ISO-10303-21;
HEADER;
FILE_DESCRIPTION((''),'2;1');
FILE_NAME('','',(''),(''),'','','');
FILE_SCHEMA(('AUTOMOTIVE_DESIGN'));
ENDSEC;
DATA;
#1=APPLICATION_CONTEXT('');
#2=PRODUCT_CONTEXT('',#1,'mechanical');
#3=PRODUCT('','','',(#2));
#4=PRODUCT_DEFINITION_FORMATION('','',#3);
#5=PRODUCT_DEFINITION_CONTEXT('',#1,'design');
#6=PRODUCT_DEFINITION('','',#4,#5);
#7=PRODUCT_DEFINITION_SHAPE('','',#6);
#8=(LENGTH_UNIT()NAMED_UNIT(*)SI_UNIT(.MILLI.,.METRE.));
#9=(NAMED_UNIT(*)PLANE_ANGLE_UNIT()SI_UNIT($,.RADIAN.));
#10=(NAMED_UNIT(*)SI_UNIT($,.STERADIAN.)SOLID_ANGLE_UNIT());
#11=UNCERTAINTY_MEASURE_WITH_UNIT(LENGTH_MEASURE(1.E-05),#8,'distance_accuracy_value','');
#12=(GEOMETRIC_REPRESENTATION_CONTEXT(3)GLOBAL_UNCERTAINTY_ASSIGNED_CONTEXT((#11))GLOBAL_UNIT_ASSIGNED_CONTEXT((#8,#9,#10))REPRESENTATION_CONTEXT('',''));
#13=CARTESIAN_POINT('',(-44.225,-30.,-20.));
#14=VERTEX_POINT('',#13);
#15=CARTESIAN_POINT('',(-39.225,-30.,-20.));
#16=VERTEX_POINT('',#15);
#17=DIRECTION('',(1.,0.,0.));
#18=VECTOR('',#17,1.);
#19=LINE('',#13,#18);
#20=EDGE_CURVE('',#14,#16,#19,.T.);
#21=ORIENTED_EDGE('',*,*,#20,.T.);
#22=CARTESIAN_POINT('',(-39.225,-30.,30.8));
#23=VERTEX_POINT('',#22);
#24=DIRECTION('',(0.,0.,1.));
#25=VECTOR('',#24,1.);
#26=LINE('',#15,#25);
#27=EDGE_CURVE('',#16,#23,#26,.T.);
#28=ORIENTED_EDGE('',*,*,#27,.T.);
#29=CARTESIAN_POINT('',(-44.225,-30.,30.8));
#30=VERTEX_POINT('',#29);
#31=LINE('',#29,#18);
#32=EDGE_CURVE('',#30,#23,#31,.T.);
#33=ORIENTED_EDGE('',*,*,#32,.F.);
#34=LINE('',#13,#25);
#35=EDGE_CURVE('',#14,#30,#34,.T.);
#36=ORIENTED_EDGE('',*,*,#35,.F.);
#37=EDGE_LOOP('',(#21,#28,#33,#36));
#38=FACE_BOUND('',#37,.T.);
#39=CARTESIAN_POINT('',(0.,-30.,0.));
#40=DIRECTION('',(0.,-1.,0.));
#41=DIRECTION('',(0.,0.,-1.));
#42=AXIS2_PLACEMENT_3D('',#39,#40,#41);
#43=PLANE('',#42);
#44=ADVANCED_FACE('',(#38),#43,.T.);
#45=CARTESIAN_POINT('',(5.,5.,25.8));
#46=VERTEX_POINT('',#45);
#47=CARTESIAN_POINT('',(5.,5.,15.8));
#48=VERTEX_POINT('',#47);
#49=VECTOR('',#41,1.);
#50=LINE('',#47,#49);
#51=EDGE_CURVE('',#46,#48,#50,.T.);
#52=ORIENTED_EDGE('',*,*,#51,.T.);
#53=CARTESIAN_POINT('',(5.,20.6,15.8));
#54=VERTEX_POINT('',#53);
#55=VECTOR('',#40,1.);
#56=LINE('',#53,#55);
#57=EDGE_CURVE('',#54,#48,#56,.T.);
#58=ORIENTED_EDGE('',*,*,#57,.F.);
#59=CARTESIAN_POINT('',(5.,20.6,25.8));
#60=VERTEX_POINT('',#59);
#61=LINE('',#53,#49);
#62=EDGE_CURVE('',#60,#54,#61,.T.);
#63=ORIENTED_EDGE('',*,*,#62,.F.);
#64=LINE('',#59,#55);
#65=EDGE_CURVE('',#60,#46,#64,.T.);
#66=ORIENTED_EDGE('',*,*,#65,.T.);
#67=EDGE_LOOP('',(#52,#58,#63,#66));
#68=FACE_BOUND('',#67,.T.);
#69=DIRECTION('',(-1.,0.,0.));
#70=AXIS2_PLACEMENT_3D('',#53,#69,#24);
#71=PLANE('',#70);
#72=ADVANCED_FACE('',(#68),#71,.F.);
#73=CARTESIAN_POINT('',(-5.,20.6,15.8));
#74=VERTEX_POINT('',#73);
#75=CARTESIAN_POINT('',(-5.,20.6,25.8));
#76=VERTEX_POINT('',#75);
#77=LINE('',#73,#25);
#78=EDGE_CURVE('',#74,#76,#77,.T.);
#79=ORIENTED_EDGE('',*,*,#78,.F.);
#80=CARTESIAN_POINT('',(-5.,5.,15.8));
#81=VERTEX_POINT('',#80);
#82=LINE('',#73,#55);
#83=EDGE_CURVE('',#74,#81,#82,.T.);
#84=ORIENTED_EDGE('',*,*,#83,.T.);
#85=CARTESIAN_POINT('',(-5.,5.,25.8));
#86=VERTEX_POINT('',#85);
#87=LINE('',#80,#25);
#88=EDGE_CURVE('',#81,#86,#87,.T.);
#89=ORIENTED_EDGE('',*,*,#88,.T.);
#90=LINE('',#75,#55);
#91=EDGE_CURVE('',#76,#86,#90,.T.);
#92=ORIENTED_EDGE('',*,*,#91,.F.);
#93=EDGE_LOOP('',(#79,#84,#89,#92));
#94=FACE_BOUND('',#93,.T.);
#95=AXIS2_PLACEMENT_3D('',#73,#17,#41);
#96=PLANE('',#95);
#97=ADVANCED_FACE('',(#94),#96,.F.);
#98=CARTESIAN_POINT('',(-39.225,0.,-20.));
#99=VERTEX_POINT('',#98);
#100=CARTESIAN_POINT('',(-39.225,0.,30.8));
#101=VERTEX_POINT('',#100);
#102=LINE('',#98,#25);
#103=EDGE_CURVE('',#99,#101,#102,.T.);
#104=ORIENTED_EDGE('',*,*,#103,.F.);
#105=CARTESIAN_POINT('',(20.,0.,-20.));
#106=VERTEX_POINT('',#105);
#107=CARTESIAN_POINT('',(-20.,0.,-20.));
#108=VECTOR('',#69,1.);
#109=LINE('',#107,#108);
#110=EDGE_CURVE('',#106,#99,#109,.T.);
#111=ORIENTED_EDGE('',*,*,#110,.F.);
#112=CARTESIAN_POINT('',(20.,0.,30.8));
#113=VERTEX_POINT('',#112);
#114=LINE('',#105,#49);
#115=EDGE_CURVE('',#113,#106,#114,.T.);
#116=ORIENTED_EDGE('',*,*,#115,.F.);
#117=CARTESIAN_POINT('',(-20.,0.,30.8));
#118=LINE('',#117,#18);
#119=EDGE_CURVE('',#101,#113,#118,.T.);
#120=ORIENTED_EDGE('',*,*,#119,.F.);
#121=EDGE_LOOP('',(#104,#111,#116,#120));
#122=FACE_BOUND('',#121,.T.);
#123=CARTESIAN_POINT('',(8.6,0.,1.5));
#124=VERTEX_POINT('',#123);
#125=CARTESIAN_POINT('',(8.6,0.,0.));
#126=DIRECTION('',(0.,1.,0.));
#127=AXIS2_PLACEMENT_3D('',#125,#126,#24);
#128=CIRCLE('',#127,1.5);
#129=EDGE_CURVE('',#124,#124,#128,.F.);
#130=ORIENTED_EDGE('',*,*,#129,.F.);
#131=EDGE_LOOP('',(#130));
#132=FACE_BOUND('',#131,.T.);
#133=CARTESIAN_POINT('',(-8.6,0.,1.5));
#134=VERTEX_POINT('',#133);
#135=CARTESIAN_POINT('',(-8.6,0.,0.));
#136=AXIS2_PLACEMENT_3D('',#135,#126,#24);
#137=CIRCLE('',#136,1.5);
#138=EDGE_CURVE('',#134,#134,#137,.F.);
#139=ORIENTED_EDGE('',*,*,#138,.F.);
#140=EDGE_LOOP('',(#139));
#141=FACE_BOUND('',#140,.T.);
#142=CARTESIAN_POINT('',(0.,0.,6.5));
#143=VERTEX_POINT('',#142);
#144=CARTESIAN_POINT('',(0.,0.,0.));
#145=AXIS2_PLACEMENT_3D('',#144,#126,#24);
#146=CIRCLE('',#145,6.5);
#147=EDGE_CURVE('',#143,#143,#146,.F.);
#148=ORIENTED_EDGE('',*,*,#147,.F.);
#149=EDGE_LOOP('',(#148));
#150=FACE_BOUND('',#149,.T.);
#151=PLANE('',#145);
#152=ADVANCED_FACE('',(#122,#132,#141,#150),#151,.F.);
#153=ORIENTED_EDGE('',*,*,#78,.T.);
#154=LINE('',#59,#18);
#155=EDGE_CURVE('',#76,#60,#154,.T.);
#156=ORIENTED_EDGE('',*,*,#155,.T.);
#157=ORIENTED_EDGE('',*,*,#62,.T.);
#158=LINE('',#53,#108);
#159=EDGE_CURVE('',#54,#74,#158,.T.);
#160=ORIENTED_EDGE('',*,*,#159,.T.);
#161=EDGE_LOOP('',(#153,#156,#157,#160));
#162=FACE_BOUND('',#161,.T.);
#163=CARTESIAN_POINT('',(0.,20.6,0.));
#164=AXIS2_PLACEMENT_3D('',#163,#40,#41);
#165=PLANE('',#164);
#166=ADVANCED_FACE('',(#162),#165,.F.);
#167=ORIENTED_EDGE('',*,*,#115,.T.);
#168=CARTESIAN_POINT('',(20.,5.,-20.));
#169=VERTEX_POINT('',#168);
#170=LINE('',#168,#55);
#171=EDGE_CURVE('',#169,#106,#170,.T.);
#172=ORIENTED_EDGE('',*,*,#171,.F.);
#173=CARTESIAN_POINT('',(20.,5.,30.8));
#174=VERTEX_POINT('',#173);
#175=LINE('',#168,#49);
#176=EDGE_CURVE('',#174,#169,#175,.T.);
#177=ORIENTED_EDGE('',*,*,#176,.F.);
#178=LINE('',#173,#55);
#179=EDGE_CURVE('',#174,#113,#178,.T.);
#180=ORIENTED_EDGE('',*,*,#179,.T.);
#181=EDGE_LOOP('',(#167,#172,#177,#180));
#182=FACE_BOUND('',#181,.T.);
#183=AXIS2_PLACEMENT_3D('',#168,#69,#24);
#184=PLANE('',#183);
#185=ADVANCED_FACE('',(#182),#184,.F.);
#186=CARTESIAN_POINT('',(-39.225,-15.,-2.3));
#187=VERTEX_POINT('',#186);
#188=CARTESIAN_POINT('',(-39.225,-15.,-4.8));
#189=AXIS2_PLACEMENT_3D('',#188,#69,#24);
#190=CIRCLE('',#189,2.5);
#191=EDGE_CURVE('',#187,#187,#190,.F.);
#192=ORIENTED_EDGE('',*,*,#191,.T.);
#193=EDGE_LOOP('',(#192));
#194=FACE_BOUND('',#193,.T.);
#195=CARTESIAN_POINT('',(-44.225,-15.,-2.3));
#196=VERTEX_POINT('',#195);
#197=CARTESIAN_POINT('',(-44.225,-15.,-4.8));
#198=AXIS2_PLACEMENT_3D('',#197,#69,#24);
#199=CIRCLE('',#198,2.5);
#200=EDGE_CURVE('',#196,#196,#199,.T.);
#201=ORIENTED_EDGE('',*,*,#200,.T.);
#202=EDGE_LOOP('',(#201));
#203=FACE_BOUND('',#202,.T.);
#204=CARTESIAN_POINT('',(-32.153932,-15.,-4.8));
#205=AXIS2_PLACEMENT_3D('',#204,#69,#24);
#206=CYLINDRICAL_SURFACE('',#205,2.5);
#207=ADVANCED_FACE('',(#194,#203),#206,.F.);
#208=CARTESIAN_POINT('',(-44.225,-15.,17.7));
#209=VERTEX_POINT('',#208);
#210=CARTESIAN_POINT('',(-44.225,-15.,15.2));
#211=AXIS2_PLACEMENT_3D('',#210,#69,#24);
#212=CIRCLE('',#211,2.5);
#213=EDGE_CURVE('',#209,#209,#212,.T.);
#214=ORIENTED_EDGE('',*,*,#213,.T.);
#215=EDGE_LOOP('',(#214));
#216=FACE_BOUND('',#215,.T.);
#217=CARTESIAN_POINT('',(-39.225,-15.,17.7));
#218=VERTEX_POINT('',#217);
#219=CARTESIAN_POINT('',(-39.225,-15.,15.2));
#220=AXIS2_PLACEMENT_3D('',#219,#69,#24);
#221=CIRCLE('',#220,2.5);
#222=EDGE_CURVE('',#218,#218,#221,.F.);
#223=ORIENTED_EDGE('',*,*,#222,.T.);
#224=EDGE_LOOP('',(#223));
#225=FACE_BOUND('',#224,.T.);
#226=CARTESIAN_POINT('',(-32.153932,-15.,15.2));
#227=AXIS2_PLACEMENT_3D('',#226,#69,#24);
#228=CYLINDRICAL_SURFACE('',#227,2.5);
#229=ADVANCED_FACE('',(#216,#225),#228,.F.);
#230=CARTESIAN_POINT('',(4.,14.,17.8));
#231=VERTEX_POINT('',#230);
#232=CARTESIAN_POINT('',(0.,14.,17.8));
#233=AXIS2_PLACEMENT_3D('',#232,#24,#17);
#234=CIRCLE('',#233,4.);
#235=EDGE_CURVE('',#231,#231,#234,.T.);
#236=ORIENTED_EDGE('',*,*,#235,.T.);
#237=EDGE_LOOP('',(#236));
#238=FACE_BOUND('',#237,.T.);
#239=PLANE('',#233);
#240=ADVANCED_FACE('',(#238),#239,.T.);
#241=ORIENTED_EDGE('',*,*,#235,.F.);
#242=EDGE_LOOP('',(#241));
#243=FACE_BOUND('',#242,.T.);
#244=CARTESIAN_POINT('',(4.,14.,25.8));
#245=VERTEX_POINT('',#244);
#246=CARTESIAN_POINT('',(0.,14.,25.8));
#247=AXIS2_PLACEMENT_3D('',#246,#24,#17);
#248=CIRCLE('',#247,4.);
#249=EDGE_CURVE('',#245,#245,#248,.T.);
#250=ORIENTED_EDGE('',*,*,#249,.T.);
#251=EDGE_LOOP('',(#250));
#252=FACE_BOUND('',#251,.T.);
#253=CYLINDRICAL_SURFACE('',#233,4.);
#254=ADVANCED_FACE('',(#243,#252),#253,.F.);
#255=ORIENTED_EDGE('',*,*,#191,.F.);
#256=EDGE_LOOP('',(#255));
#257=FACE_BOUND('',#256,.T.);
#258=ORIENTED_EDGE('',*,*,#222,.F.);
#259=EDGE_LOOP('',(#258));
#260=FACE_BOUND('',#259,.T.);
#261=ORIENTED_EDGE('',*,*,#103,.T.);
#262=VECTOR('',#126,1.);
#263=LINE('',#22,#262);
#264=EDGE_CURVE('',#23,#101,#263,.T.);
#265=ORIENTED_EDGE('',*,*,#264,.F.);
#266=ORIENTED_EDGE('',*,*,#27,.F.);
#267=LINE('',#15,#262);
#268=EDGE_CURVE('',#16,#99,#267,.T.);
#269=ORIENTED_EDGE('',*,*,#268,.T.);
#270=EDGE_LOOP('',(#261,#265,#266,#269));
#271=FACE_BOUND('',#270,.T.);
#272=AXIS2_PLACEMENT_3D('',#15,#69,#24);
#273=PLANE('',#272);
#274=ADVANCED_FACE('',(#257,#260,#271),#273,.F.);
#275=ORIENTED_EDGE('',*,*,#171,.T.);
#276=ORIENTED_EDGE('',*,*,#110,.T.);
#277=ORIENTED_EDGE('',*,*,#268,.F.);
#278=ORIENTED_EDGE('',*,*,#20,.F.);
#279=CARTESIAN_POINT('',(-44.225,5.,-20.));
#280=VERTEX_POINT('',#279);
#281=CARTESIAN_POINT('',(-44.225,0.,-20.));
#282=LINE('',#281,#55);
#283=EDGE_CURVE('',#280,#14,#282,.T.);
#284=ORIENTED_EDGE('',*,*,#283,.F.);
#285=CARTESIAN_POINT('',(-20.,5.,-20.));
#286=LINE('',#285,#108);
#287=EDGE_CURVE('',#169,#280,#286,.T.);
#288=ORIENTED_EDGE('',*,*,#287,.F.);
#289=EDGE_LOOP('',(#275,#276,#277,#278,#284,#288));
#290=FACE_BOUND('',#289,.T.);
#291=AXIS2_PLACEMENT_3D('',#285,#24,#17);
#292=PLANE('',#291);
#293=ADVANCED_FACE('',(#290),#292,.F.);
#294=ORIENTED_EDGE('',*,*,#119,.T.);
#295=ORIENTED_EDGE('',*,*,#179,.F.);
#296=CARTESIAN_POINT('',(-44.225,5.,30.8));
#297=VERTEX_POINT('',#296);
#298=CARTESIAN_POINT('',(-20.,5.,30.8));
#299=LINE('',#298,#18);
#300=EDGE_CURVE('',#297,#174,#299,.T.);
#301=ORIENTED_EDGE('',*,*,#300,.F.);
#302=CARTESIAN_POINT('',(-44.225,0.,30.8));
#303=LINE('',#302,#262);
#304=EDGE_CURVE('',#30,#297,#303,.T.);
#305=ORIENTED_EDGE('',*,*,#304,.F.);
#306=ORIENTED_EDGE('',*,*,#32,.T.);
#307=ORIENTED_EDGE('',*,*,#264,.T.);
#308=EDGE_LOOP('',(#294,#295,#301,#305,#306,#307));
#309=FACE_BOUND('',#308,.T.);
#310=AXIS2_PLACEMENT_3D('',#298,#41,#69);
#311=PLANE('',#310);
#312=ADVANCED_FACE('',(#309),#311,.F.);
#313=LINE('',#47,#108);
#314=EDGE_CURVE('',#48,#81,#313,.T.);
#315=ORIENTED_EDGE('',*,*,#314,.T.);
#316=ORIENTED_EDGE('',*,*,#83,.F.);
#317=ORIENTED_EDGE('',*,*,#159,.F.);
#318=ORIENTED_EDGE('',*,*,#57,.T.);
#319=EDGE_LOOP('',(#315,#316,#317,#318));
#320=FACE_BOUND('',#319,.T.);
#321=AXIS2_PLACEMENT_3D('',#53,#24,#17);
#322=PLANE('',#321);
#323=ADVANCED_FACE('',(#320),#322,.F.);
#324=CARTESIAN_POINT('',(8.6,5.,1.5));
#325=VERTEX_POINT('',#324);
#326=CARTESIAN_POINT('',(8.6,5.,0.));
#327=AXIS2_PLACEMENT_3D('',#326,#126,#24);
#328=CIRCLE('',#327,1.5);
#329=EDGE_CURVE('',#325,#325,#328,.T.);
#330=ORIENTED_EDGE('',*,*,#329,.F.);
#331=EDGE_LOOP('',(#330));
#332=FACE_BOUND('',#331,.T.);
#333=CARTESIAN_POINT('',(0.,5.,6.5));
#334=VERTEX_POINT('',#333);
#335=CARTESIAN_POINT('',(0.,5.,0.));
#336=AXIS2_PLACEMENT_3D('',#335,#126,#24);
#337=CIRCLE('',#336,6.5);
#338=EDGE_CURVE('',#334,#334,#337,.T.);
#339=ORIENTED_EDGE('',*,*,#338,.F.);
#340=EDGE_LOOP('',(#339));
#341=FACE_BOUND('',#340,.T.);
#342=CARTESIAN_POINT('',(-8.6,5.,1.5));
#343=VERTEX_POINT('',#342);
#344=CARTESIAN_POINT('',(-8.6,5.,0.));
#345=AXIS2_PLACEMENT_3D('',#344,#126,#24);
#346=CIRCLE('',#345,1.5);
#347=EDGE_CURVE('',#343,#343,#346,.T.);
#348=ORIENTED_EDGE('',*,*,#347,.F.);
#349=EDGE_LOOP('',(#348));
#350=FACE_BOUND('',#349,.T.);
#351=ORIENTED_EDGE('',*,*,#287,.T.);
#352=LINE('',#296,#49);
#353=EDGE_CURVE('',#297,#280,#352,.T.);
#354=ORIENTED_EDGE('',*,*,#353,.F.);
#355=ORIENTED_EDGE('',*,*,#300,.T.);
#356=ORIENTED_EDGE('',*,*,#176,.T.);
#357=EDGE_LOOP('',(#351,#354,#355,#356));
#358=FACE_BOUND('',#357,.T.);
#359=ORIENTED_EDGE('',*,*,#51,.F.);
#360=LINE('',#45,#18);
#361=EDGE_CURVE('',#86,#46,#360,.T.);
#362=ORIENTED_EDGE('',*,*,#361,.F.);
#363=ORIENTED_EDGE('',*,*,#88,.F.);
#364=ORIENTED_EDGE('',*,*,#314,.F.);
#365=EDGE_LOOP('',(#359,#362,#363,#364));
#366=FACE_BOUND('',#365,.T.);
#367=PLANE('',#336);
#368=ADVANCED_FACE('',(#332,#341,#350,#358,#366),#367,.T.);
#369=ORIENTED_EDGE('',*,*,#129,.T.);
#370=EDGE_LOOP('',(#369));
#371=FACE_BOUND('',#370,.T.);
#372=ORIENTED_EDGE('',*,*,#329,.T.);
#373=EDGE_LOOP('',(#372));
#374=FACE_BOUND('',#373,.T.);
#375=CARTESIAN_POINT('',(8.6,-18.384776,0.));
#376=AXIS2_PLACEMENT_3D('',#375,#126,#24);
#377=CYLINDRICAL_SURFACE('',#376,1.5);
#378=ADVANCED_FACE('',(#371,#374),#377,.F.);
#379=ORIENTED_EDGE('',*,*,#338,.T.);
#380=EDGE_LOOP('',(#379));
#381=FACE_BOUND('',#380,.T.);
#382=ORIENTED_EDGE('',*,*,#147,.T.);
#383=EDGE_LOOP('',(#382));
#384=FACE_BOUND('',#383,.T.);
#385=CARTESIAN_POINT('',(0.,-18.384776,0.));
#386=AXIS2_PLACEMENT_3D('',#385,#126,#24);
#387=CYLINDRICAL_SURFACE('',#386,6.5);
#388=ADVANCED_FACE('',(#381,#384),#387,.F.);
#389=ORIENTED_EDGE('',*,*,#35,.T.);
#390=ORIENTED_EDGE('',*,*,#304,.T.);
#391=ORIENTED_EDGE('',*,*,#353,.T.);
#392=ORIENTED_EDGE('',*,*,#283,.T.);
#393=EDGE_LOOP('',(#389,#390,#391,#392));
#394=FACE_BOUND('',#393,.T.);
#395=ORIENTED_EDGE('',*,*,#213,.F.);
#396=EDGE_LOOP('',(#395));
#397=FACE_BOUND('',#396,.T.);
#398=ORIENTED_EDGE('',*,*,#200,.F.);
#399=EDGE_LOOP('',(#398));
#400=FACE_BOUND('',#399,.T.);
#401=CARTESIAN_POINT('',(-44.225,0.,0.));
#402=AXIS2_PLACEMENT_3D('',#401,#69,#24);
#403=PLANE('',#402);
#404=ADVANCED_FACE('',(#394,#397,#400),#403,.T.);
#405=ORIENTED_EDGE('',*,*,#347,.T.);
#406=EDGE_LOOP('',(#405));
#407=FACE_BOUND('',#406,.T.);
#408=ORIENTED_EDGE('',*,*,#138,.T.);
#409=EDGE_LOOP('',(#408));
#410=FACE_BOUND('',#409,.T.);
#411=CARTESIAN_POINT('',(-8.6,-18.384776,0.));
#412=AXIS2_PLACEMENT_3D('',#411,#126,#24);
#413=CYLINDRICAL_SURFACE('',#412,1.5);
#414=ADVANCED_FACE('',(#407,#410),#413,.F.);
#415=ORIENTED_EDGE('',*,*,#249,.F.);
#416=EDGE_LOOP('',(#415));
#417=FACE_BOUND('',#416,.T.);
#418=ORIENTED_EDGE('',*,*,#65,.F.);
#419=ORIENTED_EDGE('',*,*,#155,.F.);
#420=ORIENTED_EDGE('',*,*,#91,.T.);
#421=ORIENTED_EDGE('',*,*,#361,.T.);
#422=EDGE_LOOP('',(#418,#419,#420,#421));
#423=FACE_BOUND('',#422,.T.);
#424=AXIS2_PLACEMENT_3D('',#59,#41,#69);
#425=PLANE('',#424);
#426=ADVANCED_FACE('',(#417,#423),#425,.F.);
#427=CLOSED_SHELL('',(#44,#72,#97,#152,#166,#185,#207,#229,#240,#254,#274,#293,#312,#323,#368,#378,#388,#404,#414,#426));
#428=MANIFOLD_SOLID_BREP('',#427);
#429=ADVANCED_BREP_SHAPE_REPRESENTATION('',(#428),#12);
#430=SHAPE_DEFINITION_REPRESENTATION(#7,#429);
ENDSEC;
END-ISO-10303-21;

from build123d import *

# Parameters (mm, degrees)
SKETCH3_W           = 40
SKETCH3_H           = 50.8
BOSS_EXTRUDE1_DEPTH = 5
SKETCH4_W           = 10
SKETCH4_H           = 10
BOSS_EXTRUDE2_DEPTH = 15.6
SKETCH5_R           = 4
CUT_EXTRUDE4_DEPTH  = 8
SKETCH6_W           = 50.8
SKETCH6_H           = 5
BOSS_EXTRUDE3_DEPTH = 24.225
SKETCH8_W           = 5
SKETCH8_H           = 50.8
BOSS_EXTRUDE4_DEPTH = 30
SKETCH9_R           = 2.5
CUT_EXTRUDE5_DEPTH  = 5
SKETCH10_R          = 6.5
SKETCH10_R_2        = 1.5
CUT_EXTRUDE6_DEPTH  = 5


with BuildPart() as part:
    # Sketch3 → Boss-Extrude1 (new body)
    with BuildSketch(Plane(origin=(0, 0, 0), x_dir=(1, 0, 0), z_dir=(0, 1, 0))):
        with Locations((0, -5.4)):
            Rectangle(SKETCH3_W, SKETCH3_H)
    extrude(amount=BOSS_EXTRUDE1_DEPTH)

    # Sketch4 → Boss-Extrude2 (add)
    with BuildSketch(Plane(origin=(0, 5, 0), x_dir=(1, 0, 0), z_dir=(0, 1, 0))):
        with Locations((0, -20.8)):
            Rectangle(SKETCH4_W, SKETCH4_H)
    extrude(amount=BOSS_EXTRUDE2_DEPTH)

    # Sketch5 → Cut-Extrude4 (cut)
    with BuildSketch(Plane.XY.offset(25.8)):
        with Locations((0, 14)):
            Circle(SKETCH5_R)
    extrude(amount=-CUT_EXTRUDE4_DEPTH, mode=Mode.SUBTRACT)

    # Sketch6 → Boss-Extrude3 (add)
    with BuildSketch(Plane.ZY.offset(20)):
        with Locations((5.4, 2.5)):
            Rectangle(SKETCH6_W, SKETCH6_H)
    extrude(amount=BOSS_EXTRUDE3_DEPTH)

    # Sketch8 → Boss-Extrude4 (add)
    with BuildSketch(Plane.XZ):
        with Locations((-41.725, 5.4)):
            Rectangle(SKETCH8_W, SKETCH8_H)
    extrude(amount=BOSS_EXTRUDE4_DEPTH)

    # Sketch9 → Cut-Extrude5 (cut)
    with BuildSketch(Plane.ZY.offset(44.225)):
        with Locations((-4.8, -15)):
            Circle(SKETCH9_R)
        with Locations((15.2, -15)):
            Circle(SKETCH9_R)
    extrude(amount=-CUT_EXTRUDE5_DEPTH, mode=Mode.SUBTRACT)

    # Sketch10 → Cut-Extrude6 (cut)
    with BuildSketch(Plane(origin=(0, 5, 0), x_dir=(1, 0, 0), z_dir=(0, 1, 0))):
        with Locations(Location((0, 0, 0), (0, 0, 270))):
            Circle(SKETCH10_R)
        with Locations(Location((-8.6, 0, 0), (0, 0, 270))):
            Circle(SKETCH10_R_2)
        with Locations(Location((8.6, 0, 0), (0, 0, 270))):
            Circle(SKETCH10_R_2)
    extrude(amount=-CUT_EXTRUDE6_DEPTH, mode=Mode.SUBTRACT)


solid = part.part
